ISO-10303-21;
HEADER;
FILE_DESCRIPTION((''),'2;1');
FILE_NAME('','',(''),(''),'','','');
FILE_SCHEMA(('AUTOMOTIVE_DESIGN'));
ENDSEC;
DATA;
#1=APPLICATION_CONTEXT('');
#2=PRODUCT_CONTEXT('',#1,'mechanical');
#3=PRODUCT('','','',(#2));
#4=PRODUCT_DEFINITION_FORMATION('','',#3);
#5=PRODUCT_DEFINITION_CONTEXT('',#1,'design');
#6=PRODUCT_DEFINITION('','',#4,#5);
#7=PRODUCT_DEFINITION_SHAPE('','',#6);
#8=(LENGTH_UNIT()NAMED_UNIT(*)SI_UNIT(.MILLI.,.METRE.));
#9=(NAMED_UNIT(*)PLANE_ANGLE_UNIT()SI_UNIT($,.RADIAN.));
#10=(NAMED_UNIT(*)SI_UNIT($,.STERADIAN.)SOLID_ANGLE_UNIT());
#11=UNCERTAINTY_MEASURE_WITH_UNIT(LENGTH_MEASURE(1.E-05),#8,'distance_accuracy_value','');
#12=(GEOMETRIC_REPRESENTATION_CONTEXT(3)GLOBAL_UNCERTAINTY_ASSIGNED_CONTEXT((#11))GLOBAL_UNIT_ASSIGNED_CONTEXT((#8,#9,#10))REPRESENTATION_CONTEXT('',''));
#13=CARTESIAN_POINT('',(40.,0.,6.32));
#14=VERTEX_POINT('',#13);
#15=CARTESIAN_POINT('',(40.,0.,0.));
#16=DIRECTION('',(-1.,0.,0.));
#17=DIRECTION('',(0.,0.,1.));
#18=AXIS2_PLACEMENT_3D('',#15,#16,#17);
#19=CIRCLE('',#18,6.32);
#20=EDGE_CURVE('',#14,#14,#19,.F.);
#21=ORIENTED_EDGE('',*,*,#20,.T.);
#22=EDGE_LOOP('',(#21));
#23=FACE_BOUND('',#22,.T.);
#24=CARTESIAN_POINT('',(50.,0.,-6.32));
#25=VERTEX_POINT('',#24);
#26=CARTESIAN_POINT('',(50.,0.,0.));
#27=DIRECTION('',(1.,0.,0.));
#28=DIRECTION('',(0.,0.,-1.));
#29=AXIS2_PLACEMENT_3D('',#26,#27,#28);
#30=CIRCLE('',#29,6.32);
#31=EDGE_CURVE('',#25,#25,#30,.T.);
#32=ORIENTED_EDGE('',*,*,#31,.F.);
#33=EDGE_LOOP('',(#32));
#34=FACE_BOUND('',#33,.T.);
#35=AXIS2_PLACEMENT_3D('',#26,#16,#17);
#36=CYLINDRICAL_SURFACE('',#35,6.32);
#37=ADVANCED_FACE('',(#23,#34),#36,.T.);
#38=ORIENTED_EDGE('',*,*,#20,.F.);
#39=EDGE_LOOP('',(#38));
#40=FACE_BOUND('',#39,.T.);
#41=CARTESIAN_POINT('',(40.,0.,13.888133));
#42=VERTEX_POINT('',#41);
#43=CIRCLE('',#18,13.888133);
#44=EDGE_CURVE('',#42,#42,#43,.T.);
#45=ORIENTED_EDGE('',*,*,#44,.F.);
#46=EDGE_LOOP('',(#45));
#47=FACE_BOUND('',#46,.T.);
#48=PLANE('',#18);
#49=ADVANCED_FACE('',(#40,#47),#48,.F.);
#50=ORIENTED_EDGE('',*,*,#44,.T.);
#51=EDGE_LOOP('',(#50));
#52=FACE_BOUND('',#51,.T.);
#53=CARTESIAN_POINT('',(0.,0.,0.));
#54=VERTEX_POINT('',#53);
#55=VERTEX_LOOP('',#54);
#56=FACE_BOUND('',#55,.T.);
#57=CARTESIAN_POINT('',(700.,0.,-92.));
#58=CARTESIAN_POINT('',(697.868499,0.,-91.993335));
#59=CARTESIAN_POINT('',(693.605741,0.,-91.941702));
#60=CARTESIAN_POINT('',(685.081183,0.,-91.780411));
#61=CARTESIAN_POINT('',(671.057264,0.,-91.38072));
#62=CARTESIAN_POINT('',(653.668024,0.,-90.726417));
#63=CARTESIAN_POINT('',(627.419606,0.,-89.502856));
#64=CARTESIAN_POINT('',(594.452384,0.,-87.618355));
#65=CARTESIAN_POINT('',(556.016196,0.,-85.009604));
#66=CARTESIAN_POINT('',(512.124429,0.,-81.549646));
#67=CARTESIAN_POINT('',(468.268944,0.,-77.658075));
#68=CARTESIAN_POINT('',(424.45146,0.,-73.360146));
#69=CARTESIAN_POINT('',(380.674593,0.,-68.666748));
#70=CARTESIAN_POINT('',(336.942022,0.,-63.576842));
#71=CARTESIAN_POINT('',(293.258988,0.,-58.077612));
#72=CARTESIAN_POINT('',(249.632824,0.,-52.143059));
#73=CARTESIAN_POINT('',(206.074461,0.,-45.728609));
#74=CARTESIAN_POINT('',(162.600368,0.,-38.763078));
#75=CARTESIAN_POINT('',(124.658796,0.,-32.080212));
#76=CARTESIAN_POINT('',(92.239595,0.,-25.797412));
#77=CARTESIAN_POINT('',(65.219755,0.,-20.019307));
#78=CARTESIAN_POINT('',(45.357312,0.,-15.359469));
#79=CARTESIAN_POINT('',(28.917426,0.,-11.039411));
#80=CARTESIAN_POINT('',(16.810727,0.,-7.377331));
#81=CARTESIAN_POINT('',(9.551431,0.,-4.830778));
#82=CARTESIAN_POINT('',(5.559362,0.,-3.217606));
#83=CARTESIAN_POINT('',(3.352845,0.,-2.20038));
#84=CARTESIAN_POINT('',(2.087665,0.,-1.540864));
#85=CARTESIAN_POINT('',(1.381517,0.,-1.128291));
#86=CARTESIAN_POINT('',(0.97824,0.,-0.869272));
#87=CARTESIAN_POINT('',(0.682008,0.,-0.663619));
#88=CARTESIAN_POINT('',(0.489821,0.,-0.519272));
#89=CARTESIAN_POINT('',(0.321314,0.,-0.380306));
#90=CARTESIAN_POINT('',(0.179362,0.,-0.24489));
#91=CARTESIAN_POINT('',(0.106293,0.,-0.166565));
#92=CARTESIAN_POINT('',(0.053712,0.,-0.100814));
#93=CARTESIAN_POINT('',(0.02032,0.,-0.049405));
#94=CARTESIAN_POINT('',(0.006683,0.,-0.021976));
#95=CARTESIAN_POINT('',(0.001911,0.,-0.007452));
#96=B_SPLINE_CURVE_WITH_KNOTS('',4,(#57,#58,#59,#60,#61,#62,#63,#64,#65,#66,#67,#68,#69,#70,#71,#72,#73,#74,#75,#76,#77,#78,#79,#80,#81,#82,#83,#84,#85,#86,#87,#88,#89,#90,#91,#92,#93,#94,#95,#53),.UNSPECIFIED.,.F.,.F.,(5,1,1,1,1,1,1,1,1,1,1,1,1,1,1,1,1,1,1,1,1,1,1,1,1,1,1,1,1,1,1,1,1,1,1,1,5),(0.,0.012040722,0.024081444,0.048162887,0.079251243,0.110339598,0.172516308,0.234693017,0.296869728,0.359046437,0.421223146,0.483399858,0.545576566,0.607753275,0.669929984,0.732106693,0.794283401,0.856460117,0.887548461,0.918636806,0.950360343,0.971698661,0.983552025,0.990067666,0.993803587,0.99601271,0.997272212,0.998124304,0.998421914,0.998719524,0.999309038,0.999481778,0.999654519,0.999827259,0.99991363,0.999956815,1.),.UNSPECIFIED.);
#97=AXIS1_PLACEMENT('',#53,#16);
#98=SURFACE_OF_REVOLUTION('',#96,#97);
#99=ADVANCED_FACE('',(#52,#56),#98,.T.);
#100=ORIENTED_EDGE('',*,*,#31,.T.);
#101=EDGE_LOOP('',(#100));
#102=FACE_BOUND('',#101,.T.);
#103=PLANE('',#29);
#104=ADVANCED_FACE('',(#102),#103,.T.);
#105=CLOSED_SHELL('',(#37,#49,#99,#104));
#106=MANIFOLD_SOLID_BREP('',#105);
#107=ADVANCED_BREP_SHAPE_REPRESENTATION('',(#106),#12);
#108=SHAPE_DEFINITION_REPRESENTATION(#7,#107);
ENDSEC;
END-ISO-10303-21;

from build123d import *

# Parameters (mm, degrees)
SKETCH5_W           = 40
SKETCH5_H           = 13.888133248
SKETCH6_R           = 6.32
BOSS_EXTRUDE1_DEPTH = 10


with BuildPart() as part:
    # Sketch4 → Revolve3 (revolve)
    with BuildSketch(Plane(origin=(0, 0, 0), x_dir=(1, 0, 0), z_dir=(0, 1, 0))):
        with BuildLine():
            Line((0, 0), (700, 0))
            Line((700, 0), (700, 92))
            add(Edge.make_bspline(
                [(0, 0), (0.00191147, 0.007452455), (0.006682771, 0.021975667), (0.020319911, 0.049405272), (0.053712312, 0.100813891), (0.106292543, 0.166564672), (0.179361524, 0.244890293), (0.321314168, 0.380305786), (0.489821471, 0.519272356), (0.682008296, 0.663619163), (0.97824001, 0.869271861), (1.381516871, 1.128290995), (2.087665161, 1.540864263), (3.352844681, 2.20038034), (5.559362022, 3.217605874), (9.551431072, 4.830778204), (16.8107271, 7.377330859), (28.917425512, 11.039410523), (45.357311817, 15.359469167), (65.219754515, 20.019307373), (92.239595195, 25.797411612), (124.65879636, 32.080212127), (162.600367905, 38.763077948), (206.074460711, 45.728609064), (249.632824355, 52.143059314), (293.258988419, 58.07761177), (336.942021596, 63.576842057), (380.674593437, 68.666747534), (424.45146039, 73.360146302), (468.268944021, 77.658075094), (512.124428867, 81.549646326), (556.016196354, 85.009603585), (594.452384, 87.618355269), (627.419605801, 89.502855515), (653.668023827, 90.726417336), (671.057263835, 91.380719564), (685.081182637, 91.780411211), (693.605741334, 91.941702123), (697.868499327, 91.993335353), (700, 92)],
                knots=[0, 0, 0, 0, 0, 4.3185e-05, 8.637e-05, 0.000172741, 0.000345481, 0.000518222, 0.000690962, 0.001280476, 0.001578086, 0.001875696, 0.002727788, 0.00398729, 0.006196413, 0.009932334, 0.016447975, 0.028301339, 0.049639657, 0.081363194, 0.112451539, 0.143539883, 0.205716599, 0.267893307, 0.330070016, 0.392246725, 0.454423434, 0.516600142, 0.578776854, 0.640953563, 0.703130272, 0.765306983, 0.827483692, 0.889660402, 0.920748757, 0.951837113, 0.975918556, 0.987959278, 1, 1, 1, 1, 1], degree=4))
        make_face()
    revolve(axis=Axis((0, 0, 0), (1, 0, 0)))


with BuildPart() as body_2:
    # Sketch5 → Revolve5 (revolve)
    with BuildSketch(Plane.XY, mode=Mode.PRIVATE) as revolve5_sk:
        with Locations((20, 6.944066624)):
            Rectangle(SKETCH5_W, SKETCH5_H)
    revolve(revolve5_sk.sketch.rotate(Axis((0, 0, 0), (1, 0, 0)), 90), axis=Axis((0, 0, 0), (1, 0, 0)))

    # Combine1: intersect part
    add(part.part, mode=Mode.INTERSECT)

    # Sketch6 → Boss-Extrude1 (add)
    with BuildSketch(Plane(origin=(40, 0, 0), x_dir=(0, 0, -1), z_dir=(1, 0, 0))):
        with Locations(Location((0, 0, 0), (0, 0, 180))):
            Circle(SKETCH6_R)
    extrude(amount=BOSS_EXTRUDE1_DEPTH)


solid = body_2.part
